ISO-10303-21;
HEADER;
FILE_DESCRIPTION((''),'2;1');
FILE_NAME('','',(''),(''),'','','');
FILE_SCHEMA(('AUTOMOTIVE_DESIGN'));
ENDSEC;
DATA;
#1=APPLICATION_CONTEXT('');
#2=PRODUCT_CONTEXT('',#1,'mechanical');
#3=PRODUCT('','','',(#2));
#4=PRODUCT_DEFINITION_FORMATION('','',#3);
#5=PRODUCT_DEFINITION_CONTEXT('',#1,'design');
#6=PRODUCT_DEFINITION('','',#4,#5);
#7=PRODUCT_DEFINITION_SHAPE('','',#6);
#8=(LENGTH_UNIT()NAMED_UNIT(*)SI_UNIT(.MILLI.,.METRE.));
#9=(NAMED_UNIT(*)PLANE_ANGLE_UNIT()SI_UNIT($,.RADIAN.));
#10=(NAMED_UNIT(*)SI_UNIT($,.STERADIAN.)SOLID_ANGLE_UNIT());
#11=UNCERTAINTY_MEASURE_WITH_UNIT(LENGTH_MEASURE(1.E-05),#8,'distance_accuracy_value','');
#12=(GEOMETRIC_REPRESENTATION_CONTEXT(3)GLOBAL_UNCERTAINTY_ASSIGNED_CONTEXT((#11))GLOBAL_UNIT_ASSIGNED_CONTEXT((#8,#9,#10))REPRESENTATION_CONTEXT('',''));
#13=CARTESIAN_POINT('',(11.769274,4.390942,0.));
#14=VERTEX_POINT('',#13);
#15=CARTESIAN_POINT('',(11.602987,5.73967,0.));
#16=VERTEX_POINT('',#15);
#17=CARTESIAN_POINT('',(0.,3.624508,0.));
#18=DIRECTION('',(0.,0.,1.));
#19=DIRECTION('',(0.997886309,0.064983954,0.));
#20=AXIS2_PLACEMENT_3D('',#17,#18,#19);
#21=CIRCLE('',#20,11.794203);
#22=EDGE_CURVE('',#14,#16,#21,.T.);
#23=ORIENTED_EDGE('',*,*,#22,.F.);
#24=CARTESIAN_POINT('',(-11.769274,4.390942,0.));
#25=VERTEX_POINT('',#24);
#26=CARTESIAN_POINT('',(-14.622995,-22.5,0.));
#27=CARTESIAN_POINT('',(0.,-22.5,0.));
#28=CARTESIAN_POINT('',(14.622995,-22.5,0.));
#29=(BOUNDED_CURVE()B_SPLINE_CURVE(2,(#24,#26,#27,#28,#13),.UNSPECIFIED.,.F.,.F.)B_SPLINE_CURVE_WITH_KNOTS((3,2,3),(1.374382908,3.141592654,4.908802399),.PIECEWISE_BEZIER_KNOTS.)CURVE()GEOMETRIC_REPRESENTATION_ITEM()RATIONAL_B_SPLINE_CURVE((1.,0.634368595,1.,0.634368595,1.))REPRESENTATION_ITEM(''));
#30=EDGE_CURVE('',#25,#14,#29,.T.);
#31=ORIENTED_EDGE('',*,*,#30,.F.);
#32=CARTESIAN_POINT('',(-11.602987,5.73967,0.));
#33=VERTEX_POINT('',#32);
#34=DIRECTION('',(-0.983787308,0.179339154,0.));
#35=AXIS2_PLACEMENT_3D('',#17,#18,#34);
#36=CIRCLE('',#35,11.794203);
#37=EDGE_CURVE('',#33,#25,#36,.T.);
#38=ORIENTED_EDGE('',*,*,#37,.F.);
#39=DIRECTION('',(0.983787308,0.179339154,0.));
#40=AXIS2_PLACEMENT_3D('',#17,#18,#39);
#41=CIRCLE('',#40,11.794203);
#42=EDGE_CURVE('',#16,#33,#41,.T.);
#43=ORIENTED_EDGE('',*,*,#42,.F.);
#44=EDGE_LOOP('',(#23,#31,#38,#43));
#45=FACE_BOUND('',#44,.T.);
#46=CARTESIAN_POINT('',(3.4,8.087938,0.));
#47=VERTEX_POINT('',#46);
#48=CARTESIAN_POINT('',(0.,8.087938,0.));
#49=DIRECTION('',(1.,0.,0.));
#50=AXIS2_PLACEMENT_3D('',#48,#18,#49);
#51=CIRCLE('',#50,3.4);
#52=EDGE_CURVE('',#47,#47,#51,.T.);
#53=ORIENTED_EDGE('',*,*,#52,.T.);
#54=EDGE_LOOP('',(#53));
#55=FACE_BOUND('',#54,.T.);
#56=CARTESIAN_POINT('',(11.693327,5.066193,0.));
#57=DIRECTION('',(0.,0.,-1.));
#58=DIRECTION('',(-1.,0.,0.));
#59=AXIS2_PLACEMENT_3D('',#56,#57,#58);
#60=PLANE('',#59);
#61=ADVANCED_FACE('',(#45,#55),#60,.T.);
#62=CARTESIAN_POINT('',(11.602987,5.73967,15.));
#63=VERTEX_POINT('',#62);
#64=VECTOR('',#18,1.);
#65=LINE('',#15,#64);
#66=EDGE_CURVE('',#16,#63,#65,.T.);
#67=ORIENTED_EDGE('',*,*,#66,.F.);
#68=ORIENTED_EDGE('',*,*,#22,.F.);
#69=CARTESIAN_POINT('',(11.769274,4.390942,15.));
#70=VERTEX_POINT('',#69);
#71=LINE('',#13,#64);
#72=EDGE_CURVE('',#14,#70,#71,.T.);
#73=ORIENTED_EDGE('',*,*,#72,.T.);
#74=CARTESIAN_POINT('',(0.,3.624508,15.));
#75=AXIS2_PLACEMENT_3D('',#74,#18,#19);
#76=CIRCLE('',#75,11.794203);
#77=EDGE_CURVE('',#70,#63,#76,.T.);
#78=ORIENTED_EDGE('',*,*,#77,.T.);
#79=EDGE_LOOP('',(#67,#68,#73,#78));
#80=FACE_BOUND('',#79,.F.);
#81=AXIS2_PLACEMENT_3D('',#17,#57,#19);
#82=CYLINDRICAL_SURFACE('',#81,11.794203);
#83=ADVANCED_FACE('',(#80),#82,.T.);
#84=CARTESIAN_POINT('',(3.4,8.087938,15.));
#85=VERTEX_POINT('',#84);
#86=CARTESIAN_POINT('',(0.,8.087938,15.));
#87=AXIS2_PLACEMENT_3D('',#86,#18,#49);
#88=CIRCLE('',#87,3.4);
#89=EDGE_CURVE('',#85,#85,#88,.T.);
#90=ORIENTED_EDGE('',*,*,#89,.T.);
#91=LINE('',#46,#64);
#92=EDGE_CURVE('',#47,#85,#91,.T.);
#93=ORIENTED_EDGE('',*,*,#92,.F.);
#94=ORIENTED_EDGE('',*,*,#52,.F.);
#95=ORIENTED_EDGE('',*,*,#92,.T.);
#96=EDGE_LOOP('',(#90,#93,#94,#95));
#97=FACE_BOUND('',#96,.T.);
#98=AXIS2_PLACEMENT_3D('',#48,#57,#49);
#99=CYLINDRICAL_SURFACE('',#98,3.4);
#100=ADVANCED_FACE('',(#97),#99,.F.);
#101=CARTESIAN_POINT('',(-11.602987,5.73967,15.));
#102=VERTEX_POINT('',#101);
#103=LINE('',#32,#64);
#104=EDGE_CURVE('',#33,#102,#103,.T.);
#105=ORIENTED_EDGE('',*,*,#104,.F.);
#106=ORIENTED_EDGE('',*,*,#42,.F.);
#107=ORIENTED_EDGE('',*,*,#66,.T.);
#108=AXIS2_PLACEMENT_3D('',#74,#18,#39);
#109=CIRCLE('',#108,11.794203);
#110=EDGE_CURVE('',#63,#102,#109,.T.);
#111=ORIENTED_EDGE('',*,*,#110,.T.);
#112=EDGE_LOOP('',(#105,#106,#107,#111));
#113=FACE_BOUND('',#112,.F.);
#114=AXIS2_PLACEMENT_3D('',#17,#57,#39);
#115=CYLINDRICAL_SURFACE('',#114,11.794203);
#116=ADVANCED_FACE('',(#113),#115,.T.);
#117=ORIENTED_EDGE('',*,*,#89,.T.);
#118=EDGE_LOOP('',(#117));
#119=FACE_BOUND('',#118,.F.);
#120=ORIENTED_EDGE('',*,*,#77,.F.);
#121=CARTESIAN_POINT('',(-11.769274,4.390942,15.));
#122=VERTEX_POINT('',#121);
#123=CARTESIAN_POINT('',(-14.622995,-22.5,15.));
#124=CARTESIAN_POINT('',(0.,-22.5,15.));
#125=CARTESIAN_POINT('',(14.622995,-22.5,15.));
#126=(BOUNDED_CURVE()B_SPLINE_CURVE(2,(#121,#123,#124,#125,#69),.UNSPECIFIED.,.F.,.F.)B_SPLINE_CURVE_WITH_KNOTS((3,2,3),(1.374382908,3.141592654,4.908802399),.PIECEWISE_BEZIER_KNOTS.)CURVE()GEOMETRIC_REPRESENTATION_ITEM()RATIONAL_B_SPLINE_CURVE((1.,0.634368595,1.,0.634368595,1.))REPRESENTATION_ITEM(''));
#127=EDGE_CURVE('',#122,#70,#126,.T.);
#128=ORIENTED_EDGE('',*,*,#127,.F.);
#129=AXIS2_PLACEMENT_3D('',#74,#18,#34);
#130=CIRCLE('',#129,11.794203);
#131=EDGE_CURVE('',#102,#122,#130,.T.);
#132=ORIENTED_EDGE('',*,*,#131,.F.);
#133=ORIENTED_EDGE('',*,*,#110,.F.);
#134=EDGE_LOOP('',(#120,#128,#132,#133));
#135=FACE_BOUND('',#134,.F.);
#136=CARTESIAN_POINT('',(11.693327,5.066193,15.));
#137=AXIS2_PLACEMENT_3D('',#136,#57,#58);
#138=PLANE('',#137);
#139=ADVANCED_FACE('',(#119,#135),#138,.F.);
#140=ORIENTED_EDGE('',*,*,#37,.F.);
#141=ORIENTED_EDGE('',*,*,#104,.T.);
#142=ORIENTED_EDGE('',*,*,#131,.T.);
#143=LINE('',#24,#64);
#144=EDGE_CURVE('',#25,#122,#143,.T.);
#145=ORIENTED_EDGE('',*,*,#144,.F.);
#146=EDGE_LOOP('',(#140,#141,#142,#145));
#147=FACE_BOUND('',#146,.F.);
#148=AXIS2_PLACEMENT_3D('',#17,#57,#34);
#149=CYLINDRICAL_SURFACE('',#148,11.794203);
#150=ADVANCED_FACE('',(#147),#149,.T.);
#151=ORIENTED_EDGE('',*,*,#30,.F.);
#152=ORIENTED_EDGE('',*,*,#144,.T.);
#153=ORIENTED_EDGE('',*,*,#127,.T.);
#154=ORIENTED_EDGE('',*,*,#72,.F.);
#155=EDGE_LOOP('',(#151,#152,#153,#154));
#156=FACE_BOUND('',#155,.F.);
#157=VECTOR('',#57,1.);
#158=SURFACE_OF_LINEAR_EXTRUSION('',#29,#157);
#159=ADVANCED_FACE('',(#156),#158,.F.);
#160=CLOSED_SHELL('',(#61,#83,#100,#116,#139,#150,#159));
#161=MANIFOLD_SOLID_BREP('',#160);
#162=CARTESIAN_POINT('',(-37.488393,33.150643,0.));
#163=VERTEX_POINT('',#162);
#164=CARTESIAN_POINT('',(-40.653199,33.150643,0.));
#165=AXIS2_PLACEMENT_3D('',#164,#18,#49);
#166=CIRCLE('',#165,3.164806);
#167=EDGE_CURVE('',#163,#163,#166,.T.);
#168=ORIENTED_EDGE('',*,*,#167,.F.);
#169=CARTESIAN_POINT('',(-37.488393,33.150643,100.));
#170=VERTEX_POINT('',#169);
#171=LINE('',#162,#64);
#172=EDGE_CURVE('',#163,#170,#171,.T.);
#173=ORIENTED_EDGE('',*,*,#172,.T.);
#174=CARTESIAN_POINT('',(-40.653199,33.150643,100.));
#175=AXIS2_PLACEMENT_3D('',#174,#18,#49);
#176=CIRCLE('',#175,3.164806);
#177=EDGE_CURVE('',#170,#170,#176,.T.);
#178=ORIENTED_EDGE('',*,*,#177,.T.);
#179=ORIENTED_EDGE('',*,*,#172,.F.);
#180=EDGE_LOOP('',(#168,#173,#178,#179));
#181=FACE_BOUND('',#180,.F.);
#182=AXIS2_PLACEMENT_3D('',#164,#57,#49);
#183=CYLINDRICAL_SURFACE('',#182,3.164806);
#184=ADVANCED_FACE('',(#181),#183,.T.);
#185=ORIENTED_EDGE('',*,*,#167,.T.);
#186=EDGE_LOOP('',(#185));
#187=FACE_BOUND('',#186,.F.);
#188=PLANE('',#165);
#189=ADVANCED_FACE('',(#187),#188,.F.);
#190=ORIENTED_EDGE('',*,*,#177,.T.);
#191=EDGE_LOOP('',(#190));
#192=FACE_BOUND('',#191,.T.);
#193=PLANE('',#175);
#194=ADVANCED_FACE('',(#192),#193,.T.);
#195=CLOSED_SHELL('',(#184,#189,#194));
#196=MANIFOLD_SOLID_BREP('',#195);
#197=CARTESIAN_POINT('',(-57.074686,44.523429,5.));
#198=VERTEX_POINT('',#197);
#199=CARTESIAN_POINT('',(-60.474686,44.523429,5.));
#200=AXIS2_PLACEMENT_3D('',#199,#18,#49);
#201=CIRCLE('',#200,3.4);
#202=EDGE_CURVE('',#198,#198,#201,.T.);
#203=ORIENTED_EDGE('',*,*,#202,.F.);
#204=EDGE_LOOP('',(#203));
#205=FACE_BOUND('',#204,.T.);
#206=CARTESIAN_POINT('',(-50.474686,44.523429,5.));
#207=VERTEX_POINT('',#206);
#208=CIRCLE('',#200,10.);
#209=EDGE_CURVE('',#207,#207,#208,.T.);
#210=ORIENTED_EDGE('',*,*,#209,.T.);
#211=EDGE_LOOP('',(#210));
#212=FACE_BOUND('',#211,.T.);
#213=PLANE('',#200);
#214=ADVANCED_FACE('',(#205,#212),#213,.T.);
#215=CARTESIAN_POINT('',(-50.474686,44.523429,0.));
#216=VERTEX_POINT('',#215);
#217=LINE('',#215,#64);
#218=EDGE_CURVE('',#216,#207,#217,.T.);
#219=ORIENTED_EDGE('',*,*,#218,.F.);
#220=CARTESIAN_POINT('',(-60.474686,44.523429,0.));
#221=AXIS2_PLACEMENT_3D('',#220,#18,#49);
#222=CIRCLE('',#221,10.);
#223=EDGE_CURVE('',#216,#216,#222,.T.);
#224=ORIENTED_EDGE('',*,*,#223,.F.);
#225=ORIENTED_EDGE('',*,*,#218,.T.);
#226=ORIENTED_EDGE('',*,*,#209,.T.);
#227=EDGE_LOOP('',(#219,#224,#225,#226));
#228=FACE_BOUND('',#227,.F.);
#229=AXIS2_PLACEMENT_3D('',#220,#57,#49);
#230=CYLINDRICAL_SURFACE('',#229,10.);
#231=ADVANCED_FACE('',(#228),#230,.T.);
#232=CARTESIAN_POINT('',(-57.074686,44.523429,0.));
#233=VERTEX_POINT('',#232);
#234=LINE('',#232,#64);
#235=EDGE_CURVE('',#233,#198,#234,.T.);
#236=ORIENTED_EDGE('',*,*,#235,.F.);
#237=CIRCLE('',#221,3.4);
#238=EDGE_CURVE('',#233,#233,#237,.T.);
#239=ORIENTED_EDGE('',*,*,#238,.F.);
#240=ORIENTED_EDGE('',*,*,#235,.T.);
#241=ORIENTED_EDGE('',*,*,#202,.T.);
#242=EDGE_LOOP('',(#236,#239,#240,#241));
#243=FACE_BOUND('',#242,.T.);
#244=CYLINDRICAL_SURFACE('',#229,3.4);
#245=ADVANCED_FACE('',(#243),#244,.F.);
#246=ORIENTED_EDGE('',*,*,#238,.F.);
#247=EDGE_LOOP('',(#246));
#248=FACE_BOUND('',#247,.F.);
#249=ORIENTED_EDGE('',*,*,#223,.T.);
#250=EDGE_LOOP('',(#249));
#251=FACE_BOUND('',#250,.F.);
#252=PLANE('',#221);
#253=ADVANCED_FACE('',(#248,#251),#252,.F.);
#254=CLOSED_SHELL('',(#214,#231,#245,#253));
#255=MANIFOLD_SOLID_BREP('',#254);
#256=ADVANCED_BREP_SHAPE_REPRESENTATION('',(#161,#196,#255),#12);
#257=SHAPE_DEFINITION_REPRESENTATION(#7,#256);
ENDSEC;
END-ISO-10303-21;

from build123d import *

# Parameters (mm, degrees)
F0_R     = 3.4
F1_DEPTH = 15
F2_R     = 10
F2_R_2   = 3.4
F3_DEPTH = 5
F4_R     = 3.1648062528
F5_DEPTH = 100


with BuildPart() as f1:
    # F0 (on Top) → F1 (new body)
    with BuildSketch(Plane.XY):
        with BuildLine():
            add(Edge.make_bspline(
                [(11.7692737968, 4.3909418779), (11.6971997454, 5.0701040007), (11.6029873176, 5.7396703336)],
                knots=[4.9088023994, 4.9088023994, 4.9088023994, 4.970336442, 4.970336442, 4.970336442], degree=2, weights=[1, 0.9995267325, 1]))
            ThreePointArc((11.7692737968, 4.3909418779), (11.7055719429, 5.0677030594), (11.6029873176, 5.7396703336))
        make_face()
        with BuildLine():
            add(Edge.make_bspline(
                [(-11.7692737968, 4.3909418779), (-14.6229946716, -22.5), (0, -22.5), (14.6229946716, -22.5), (11.7692737968, 4.3909418779)],
                knots=[1.3743829078, 1.3743829078, 1.3743829078, 3.1415926536, 3.1415926536, 4.9088023994, 4.9088023994, 4.9088023994], degree=2, weights=[1, 0.6343685946, 1, 0.6343685946, 1]))
            add(Edge.make_bspline(
                [(11.7692737968, 4.3909418779), (11.6971997454, 5.0701040007), (11.6029873176, 5.7396703336)],
                knots=[4.9088023994, 4.9088023994, 4.9088023994, 4.970336442, 4.970336442, 4.970336442], degree=2, weights=[1, 0.9995267325, 1]))
            ThreePointArc((11.6029873176, 5.7396703336), (0, 15.4187110222), (-11.6029873176, 5.7396703336))
            add(Edge.make_bspline(
                [(-11.6029873176, 5.7396703336), (-11.6971997454, 5.0701040007), (-11.7692737968, 4.3909418779)],
                knots=[1.3128488651, 1.3128488651, 1.3128488651, 1.3743829078, 1.3743829078, 1.3743829078], degree=2, weights=[1, 0.9995267325, 1]))
        make_face()
        with Locations((0, 8.0879377201)):
            Circle(F0_R, mode=Mode.SUBTRACT)
        with BuildLine():
            ThreePointArc((-11.6029873176, 5.7396703336), (-11.7055719429, 5.0677030594), (-11.7692737968, 4.3909418779))
            add(Edge.make_bspline(
                [(-11.6029873176, 5.7396703336), (-11.6971997454, 5.0701040007), (-11.7692737968, 4.3909418779)],
                knots=[1.3128488651, 1.3128488651, 1.3128488651, 1.3743829078, 1.3743829078, 1.3743829078], degree=2, weights=[1, 0.9995267325, 1]))
        make_face()
    extrude(amount=F1_DEPTH)


with BuildPart() as f3:
    # F2 (on Top) → F3 (new body)
    with BuildSketch(Plane.XY):
        with Locations((-60.4746863246, 44.5234291255)):
            Circle(F2_R)
        with Locations((-60.4746863246, 44.5234291255)):
            Circle(F2_R_2, mode=Mode.SUBTRACT)
    extrude(amount=F3_DEPTH)


with BuildPart() as f5:
    # F4 (on Top) → F5 (new body)
    with BuildSketch(Plane.XY):
        with Locations((-40.6531989574, 33.1506431103)):
            Circle(F4_R)
    extrude(amount=F5_DEPTH)


solid = Compound([f1.part, f3.part, f5.part])
